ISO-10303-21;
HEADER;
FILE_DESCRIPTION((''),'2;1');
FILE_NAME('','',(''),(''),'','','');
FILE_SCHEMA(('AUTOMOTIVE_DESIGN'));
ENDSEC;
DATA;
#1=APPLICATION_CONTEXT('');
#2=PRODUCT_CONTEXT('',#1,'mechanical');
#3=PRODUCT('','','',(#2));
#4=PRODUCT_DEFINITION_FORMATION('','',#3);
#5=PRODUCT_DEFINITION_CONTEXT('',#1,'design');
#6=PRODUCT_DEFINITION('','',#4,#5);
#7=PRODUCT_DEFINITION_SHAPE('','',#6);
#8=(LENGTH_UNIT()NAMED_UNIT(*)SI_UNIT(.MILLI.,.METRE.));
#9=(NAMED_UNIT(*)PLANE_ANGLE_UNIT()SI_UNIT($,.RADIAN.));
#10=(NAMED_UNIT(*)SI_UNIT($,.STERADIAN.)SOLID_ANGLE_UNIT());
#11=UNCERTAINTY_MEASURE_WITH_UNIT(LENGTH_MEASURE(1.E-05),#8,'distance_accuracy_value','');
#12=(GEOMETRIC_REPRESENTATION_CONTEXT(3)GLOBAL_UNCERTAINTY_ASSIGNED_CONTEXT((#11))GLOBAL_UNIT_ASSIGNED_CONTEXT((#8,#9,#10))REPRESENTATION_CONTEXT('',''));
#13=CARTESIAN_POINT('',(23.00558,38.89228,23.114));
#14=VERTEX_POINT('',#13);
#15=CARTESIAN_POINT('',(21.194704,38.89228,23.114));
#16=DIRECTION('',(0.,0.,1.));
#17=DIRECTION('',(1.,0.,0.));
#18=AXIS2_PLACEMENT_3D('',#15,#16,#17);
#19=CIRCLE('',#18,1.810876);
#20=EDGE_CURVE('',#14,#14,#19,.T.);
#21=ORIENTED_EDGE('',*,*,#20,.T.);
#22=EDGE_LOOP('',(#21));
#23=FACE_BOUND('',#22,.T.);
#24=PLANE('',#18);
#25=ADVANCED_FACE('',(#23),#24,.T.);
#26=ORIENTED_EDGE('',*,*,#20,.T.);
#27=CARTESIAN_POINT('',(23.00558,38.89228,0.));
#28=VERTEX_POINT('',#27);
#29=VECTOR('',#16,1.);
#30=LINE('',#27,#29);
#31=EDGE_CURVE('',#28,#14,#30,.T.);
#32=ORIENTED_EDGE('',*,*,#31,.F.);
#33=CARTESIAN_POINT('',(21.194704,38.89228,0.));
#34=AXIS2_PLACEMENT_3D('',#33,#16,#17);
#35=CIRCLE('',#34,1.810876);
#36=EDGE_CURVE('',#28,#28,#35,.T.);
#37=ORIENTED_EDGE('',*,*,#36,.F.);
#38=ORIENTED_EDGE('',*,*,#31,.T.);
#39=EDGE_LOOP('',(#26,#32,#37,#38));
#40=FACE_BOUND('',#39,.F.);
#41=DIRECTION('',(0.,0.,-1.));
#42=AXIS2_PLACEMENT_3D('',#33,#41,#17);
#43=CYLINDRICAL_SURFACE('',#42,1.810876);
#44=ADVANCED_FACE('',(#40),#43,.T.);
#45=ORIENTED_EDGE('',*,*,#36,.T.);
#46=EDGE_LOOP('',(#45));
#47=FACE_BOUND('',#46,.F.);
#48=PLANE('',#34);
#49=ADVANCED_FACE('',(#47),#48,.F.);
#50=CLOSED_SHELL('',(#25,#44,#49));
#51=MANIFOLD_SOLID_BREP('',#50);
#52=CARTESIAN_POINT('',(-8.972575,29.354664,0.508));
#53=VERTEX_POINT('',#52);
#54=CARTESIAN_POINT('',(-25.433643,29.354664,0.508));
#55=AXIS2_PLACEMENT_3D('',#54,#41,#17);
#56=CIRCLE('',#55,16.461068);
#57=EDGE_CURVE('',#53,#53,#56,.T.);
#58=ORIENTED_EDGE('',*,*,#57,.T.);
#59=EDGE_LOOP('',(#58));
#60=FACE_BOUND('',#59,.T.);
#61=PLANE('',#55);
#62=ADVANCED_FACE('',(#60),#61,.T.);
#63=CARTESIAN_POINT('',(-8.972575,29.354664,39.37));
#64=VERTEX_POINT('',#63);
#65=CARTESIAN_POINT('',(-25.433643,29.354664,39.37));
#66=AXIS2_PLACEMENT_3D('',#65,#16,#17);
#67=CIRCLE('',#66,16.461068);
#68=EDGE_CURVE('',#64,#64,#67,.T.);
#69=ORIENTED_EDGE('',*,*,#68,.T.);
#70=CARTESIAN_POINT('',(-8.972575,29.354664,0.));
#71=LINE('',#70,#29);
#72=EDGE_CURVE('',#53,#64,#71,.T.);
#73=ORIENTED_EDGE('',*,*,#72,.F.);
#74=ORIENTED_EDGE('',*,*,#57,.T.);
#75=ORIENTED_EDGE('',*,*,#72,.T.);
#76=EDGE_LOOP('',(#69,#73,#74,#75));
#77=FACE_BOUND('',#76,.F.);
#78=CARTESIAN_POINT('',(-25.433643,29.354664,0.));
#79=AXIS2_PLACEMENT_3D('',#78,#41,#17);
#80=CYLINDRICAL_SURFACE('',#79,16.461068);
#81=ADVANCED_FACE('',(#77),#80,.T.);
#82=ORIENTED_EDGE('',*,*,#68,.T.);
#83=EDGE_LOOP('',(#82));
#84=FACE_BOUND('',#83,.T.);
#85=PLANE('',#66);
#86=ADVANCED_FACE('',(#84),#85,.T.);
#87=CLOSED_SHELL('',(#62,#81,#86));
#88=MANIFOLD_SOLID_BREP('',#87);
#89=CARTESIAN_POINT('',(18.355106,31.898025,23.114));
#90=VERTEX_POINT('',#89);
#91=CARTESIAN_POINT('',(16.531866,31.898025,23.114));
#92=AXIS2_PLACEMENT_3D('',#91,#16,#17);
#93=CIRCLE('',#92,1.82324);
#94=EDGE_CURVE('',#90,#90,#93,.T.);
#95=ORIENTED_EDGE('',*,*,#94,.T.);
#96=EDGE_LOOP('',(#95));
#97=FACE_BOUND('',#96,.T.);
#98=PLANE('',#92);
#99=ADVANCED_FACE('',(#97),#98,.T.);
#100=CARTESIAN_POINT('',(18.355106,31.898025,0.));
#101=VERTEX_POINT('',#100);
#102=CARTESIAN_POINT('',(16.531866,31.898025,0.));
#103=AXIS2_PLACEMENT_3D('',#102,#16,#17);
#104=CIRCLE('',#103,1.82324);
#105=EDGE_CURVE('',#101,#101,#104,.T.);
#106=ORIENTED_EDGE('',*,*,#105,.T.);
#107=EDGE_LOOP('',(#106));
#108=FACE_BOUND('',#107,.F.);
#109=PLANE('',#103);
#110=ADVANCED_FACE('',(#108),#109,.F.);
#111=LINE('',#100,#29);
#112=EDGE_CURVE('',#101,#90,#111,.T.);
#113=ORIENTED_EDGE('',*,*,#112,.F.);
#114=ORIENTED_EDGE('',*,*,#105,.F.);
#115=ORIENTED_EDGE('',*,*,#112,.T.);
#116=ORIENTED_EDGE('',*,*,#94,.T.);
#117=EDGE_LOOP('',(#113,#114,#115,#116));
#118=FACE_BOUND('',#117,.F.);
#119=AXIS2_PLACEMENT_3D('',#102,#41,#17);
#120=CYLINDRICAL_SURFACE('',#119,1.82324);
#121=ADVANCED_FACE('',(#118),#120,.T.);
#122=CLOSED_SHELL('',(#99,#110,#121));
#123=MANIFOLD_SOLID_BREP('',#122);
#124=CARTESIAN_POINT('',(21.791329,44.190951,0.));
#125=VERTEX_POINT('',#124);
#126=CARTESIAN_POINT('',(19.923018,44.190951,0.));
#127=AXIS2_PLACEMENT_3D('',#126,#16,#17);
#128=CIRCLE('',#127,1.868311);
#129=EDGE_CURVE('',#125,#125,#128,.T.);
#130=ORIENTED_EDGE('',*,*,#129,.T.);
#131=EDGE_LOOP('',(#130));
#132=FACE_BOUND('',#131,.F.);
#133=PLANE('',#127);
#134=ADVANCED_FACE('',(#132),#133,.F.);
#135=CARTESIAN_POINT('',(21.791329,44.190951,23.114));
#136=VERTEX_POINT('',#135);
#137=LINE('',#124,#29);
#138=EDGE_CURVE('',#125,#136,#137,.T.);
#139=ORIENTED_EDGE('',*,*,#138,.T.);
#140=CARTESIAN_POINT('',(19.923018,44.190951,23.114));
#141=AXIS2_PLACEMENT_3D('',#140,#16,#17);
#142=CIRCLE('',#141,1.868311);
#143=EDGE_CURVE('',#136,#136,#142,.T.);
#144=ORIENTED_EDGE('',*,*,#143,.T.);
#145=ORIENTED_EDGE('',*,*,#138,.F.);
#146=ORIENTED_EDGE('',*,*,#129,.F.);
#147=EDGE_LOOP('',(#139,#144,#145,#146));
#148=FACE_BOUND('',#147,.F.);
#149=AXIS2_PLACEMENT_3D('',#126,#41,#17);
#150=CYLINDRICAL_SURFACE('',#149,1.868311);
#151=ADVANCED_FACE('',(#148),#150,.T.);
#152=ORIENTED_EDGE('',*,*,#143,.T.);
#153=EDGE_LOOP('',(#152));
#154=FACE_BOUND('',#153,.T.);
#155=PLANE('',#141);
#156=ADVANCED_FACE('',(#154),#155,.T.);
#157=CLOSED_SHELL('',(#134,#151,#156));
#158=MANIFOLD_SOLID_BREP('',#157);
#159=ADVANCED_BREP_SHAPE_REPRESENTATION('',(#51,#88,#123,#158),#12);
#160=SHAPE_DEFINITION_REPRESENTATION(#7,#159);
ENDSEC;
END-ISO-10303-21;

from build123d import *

# Parameters (mm, degrees)
F0_R      = 16.461068
F1_DEPTH  = 39.37
F1_FACE_R = 16.461068
F2_DEPTH  = 0.508
F3_R      = 1.82324
F3_R_2    = 1.810876
F3_R_3    = 1.868311
F4_DEPTH  = 23.114


with BuildPart() as f1:
    # F0 (on Top) → F1 (new body)
    with BuildSketch(Plane.XY):
        with Locations((-25.433643, 29.354664)):
            Circle(F0_R)
    extrude(amount=F1_DEPTH)

    # F1_face (on face) → F2 (cut)
    with BuildSketch(Plane(origin=(-25.433643, 29.354664, 0), x_dir=(1, 0, 0), z_dir=(0, 0, -1))):
        Circle(F1_FACE_R)
    extrude(amount=-F2_DEPTH, mode=Mode.SUBTRACT)


with BuildPart() as f4:
    # F3 (on Top) → F4 (new body)
    with BuildSketch(Plane.XY):
        with Locations((16.531866, 31.898025)):
            Circle(F3_R)
        with Locations((21.194704, 38.89228)):
            Circle(F3_R_2)
        with Locations((19.923018, 44.190951)):
            Circle(F3_R_3)
    extrude(amount=F4_DEPTH)


solid = Compound([f1.part, f4.part])
